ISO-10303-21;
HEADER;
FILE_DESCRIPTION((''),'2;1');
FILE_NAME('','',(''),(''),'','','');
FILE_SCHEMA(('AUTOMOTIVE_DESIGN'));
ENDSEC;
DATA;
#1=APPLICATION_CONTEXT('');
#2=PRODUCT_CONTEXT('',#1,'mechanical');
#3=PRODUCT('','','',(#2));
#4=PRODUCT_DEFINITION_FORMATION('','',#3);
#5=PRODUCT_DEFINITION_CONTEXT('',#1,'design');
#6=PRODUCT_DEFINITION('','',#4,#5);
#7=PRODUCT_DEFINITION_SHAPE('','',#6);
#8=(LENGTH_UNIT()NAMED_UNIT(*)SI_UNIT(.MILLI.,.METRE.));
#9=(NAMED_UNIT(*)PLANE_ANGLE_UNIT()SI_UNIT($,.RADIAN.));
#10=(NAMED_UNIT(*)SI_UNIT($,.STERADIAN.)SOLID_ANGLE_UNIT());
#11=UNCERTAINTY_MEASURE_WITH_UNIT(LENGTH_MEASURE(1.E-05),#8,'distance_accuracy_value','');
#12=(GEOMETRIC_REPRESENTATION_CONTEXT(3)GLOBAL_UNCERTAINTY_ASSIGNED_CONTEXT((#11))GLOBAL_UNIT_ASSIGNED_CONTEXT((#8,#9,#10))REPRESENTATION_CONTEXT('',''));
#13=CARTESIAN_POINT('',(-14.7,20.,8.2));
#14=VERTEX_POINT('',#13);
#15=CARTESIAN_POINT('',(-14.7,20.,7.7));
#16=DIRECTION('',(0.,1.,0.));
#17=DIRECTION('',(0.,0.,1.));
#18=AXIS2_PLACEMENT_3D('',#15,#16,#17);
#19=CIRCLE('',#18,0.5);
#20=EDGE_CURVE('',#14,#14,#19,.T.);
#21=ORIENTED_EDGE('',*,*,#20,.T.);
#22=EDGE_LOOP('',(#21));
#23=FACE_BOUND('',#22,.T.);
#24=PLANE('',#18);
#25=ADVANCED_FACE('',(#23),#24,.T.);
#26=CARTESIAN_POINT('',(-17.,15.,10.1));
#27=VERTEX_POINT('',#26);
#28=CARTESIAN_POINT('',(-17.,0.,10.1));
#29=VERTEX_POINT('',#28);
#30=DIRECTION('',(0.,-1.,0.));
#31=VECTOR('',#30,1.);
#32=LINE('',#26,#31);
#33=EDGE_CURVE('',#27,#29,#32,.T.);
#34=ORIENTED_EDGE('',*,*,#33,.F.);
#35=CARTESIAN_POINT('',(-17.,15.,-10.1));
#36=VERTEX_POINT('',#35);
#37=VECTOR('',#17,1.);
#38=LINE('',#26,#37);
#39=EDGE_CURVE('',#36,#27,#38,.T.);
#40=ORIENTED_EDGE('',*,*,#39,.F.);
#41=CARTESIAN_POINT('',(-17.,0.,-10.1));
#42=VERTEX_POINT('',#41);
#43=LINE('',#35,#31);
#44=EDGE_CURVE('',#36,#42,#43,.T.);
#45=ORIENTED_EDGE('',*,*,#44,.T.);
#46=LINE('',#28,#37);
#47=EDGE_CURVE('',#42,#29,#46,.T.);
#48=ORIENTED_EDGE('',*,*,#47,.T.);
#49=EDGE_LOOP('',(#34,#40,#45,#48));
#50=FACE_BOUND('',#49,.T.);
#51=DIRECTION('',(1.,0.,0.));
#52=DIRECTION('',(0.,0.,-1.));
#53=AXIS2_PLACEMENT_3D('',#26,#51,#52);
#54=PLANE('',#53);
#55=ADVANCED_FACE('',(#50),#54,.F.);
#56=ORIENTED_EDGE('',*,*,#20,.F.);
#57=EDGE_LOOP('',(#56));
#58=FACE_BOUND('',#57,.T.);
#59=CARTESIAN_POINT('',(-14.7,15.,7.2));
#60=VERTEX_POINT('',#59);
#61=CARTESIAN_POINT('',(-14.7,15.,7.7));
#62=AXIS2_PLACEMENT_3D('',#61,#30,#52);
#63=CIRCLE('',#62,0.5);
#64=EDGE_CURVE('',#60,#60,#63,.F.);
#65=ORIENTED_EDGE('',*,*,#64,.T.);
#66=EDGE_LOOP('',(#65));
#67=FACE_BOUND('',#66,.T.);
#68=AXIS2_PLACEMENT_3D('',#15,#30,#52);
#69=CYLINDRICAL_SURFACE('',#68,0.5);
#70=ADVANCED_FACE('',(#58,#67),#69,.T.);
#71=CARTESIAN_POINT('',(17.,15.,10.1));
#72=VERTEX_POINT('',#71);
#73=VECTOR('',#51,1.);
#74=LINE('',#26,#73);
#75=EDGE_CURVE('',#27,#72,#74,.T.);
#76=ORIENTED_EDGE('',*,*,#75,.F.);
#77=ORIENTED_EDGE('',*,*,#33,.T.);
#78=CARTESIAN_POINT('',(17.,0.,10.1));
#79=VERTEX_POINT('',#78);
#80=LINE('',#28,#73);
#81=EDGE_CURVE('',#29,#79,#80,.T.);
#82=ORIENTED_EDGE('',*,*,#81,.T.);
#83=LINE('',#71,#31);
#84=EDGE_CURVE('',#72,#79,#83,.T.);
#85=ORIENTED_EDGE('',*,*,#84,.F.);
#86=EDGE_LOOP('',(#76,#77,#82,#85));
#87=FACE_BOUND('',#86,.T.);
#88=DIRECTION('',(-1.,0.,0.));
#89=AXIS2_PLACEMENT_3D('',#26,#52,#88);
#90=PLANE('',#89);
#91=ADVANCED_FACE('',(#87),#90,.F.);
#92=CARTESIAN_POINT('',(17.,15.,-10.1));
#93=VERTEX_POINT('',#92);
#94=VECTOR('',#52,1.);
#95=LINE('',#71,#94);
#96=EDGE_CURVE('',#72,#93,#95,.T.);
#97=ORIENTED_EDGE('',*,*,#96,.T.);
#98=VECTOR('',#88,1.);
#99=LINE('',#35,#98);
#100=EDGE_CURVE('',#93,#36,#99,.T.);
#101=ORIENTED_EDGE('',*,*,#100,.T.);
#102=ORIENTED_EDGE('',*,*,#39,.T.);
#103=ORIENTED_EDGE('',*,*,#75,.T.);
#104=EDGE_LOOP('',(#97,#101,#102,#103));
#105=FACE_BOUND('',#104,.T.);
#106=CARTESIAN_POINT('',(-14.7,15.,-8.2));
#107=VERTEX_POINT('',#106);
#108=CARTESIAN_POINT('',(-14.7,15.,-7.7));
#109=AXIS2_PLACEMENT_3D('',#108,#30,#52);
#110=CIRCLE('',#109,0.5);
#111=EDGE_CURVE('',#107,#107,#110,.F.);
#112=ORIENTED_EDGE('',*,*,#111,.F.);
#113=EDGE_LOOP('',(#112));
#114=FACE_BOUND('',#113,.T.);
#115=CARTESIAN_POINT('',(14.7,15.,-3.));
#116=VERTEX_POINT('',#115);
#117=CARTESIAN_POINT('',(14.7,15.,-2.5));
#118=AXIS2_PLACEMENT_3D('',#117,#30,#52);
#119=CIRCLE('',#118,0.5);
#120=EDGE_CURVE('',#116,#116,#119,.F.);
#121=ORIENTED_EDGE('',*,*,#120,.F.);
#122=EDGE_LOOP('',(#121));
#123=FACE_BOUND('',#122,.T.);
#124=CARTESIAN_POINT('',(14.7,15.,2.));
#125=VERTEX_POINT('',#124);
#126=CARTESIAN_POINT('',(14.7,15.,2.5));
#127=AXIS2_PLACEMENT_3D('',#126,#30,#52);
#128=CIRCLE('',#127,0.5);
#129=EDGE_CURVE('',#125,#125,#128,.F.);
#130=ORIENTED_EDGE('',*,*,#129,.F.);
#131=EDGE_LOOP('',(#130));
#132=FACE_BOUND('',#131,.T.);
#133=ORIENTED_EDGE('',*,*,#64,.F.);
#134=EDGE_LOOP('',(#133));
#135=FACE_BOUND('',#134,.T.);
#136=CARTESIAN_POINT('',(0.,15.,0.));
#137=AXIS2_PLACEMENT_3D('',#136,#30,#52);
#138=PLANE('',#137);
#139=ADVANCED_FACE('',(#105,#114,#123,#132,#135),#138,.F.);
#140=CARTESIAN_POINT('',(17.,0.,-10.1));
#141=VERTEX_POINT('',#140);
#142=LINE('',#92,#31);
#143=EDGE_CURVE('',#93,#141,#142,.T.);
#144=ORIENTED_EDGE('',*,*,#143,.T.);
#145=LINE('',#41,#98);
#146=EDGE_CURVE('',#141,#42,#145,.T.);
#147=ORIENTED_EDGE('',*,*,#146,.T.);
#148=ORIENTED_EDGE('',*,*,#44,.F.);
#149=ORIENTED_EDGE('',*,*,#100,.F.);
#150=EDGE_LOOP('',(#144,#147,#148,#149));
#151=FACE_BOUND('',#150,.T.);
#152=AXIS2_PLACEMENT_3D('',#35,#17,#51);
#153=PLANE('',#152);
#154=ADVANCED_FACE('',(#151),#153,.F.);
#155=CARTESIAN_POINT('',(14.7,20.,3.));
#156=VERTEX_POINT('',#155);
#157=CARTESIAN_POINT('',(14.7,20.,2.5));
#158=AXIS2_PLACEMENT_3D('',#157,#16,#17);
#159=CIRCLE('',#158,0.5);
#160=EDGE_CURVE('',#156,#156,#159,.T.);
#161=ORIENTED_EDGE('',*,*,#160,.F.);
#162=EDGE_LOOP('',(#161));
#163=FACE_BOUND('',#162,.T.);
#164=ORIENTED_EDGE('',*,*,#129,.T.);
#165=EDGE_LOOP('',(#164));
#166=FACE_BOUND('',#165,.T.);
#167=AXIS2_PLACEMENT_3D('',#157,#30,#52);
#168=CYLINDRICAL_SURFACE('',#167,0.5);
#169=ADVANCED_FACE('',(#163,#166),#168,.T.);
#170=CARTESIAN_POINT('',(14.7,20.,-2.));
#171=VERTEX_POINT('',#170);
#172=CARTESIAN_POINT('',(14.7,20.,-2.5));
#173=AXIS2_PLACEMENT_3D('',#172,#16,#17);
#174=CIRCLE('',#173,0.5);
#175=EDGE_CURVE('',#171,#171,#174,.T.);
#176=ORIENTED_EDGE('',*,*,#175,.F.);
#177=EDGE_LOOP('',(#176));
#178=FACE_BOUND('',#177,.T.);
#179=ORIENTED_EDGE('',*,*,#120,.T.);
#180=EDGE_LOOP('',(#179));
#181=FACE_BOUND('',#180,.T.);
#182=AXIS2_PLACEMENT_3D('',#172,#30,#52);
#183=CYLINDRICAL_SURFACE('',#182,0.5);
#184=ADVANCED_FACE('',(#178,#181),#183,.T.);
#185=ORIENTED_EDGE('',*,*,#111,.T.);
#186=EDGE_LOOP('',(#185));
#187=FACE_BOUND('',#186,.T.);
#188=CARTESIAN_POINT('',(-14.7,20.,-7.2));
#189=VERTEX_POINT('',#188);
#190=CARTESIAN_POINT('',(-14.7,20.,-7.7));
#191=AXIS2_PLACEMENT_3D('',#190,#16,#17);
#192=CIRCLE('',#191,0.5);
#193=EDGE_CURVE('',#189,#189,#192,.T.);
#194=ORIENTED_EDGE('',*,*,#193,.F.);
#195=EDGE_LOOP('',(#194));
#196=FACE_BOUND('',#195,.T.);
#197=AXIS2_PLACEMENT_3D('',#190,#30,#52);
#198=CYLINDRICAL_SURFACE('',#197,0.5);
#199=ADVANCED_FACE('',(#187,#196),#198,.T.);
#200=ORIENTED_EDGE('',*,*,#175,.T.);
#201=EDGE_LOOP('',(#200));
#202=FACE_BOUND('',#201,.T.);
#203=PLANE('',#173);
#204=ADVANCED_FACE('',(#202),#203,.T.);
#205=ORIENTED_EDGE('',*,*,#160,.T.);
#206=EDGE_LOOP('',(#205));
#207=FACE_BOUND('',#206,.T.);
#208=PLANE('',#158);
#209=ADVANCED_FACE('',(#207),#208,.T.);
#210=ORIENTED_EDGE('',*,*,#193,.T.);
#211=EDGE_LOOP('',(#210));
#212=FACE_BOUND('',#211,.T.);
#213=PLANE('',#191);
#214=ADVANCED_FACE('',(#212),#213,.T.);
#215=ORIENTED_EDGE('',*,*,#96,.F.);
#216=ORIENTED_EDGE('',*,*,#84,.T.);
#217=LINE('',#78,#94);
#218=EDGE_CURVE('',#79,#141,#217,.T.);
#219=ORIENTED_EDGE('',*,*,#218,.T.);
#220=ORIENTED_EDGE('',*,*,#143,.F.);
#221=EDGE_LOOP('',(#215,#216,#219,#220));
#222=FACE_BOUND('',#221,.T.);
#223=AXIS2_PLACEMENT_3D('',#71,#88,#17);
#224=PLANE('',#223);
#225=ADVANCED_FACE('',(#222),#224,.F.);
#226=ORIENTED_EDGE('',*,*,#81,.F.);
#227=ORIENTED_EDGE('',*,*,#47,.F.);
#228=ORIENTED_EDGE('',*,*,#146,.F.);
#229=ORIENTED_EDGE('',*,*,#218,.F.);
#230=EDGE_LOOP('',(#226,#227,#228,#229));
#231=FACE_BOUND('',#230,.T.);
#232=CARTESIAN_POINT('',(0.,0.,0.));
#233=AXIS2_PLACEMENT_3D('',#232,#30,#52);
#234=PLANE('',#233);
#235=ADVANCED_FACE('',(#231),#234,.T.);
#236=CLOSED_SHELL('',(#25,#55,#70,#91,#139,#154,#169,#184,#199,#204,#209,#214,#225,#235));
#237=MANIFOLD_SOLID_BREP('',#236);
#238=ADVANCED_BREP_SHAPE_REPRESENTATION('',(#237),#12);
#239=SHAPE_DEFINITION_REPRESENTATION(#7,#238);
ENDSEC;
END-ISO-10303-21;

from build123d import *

# Parameters (mm, degrees)
CROQUIS1_W              = 34
CROQUIS1_H              = 20.2
SALIENTE_EXTRUIR1_DEPTH = 15
CROQUIS2_R              = 0.5
SALIENTE_EXTRUIR2_DEPTH = 5


with BuildPart() as part:
    # Croquis1 → Saliente-Extruir1 (new body)
    with BuildSketch(Plane(origin=(0, 0, 0), x_dir=(1, 0, 0), z_dir=(0, 1, 0))):
        Rectangle(CROQUIS1_W, CROQUIS1_H)
    extrude(amount=SALIENTE_EXTRUIR1_DEPTH)

    # Croquis2 → Saliente-Extruir2 (add)
    with BuildSketch(Plane(origin=(0, 15, 0), x_dir=(1, 0, 0), z_dir=(0, 1, 0))):
        with Locations(Location((-14.7, 7.7, 0), (0, 0, 90))):
            Circle(CROQUIS2_R)
        with Locations(Location((-14.7, -7.7, 0), (0, 0, 90))):
            Circle(CROQUIS2_R)
        with Locations(Location((14.7, -2.5, 0), (0, 0, 90))):
            Circle(CROQUIS2_R)
        with Locations(Location((14.7, 2.5, 0), (0, 0, 90))):
            Circle(CROQUIS2_R)
    extrude(amount=SALIENTE_EXTRUIR2_DEPTH)


solid = part.part
